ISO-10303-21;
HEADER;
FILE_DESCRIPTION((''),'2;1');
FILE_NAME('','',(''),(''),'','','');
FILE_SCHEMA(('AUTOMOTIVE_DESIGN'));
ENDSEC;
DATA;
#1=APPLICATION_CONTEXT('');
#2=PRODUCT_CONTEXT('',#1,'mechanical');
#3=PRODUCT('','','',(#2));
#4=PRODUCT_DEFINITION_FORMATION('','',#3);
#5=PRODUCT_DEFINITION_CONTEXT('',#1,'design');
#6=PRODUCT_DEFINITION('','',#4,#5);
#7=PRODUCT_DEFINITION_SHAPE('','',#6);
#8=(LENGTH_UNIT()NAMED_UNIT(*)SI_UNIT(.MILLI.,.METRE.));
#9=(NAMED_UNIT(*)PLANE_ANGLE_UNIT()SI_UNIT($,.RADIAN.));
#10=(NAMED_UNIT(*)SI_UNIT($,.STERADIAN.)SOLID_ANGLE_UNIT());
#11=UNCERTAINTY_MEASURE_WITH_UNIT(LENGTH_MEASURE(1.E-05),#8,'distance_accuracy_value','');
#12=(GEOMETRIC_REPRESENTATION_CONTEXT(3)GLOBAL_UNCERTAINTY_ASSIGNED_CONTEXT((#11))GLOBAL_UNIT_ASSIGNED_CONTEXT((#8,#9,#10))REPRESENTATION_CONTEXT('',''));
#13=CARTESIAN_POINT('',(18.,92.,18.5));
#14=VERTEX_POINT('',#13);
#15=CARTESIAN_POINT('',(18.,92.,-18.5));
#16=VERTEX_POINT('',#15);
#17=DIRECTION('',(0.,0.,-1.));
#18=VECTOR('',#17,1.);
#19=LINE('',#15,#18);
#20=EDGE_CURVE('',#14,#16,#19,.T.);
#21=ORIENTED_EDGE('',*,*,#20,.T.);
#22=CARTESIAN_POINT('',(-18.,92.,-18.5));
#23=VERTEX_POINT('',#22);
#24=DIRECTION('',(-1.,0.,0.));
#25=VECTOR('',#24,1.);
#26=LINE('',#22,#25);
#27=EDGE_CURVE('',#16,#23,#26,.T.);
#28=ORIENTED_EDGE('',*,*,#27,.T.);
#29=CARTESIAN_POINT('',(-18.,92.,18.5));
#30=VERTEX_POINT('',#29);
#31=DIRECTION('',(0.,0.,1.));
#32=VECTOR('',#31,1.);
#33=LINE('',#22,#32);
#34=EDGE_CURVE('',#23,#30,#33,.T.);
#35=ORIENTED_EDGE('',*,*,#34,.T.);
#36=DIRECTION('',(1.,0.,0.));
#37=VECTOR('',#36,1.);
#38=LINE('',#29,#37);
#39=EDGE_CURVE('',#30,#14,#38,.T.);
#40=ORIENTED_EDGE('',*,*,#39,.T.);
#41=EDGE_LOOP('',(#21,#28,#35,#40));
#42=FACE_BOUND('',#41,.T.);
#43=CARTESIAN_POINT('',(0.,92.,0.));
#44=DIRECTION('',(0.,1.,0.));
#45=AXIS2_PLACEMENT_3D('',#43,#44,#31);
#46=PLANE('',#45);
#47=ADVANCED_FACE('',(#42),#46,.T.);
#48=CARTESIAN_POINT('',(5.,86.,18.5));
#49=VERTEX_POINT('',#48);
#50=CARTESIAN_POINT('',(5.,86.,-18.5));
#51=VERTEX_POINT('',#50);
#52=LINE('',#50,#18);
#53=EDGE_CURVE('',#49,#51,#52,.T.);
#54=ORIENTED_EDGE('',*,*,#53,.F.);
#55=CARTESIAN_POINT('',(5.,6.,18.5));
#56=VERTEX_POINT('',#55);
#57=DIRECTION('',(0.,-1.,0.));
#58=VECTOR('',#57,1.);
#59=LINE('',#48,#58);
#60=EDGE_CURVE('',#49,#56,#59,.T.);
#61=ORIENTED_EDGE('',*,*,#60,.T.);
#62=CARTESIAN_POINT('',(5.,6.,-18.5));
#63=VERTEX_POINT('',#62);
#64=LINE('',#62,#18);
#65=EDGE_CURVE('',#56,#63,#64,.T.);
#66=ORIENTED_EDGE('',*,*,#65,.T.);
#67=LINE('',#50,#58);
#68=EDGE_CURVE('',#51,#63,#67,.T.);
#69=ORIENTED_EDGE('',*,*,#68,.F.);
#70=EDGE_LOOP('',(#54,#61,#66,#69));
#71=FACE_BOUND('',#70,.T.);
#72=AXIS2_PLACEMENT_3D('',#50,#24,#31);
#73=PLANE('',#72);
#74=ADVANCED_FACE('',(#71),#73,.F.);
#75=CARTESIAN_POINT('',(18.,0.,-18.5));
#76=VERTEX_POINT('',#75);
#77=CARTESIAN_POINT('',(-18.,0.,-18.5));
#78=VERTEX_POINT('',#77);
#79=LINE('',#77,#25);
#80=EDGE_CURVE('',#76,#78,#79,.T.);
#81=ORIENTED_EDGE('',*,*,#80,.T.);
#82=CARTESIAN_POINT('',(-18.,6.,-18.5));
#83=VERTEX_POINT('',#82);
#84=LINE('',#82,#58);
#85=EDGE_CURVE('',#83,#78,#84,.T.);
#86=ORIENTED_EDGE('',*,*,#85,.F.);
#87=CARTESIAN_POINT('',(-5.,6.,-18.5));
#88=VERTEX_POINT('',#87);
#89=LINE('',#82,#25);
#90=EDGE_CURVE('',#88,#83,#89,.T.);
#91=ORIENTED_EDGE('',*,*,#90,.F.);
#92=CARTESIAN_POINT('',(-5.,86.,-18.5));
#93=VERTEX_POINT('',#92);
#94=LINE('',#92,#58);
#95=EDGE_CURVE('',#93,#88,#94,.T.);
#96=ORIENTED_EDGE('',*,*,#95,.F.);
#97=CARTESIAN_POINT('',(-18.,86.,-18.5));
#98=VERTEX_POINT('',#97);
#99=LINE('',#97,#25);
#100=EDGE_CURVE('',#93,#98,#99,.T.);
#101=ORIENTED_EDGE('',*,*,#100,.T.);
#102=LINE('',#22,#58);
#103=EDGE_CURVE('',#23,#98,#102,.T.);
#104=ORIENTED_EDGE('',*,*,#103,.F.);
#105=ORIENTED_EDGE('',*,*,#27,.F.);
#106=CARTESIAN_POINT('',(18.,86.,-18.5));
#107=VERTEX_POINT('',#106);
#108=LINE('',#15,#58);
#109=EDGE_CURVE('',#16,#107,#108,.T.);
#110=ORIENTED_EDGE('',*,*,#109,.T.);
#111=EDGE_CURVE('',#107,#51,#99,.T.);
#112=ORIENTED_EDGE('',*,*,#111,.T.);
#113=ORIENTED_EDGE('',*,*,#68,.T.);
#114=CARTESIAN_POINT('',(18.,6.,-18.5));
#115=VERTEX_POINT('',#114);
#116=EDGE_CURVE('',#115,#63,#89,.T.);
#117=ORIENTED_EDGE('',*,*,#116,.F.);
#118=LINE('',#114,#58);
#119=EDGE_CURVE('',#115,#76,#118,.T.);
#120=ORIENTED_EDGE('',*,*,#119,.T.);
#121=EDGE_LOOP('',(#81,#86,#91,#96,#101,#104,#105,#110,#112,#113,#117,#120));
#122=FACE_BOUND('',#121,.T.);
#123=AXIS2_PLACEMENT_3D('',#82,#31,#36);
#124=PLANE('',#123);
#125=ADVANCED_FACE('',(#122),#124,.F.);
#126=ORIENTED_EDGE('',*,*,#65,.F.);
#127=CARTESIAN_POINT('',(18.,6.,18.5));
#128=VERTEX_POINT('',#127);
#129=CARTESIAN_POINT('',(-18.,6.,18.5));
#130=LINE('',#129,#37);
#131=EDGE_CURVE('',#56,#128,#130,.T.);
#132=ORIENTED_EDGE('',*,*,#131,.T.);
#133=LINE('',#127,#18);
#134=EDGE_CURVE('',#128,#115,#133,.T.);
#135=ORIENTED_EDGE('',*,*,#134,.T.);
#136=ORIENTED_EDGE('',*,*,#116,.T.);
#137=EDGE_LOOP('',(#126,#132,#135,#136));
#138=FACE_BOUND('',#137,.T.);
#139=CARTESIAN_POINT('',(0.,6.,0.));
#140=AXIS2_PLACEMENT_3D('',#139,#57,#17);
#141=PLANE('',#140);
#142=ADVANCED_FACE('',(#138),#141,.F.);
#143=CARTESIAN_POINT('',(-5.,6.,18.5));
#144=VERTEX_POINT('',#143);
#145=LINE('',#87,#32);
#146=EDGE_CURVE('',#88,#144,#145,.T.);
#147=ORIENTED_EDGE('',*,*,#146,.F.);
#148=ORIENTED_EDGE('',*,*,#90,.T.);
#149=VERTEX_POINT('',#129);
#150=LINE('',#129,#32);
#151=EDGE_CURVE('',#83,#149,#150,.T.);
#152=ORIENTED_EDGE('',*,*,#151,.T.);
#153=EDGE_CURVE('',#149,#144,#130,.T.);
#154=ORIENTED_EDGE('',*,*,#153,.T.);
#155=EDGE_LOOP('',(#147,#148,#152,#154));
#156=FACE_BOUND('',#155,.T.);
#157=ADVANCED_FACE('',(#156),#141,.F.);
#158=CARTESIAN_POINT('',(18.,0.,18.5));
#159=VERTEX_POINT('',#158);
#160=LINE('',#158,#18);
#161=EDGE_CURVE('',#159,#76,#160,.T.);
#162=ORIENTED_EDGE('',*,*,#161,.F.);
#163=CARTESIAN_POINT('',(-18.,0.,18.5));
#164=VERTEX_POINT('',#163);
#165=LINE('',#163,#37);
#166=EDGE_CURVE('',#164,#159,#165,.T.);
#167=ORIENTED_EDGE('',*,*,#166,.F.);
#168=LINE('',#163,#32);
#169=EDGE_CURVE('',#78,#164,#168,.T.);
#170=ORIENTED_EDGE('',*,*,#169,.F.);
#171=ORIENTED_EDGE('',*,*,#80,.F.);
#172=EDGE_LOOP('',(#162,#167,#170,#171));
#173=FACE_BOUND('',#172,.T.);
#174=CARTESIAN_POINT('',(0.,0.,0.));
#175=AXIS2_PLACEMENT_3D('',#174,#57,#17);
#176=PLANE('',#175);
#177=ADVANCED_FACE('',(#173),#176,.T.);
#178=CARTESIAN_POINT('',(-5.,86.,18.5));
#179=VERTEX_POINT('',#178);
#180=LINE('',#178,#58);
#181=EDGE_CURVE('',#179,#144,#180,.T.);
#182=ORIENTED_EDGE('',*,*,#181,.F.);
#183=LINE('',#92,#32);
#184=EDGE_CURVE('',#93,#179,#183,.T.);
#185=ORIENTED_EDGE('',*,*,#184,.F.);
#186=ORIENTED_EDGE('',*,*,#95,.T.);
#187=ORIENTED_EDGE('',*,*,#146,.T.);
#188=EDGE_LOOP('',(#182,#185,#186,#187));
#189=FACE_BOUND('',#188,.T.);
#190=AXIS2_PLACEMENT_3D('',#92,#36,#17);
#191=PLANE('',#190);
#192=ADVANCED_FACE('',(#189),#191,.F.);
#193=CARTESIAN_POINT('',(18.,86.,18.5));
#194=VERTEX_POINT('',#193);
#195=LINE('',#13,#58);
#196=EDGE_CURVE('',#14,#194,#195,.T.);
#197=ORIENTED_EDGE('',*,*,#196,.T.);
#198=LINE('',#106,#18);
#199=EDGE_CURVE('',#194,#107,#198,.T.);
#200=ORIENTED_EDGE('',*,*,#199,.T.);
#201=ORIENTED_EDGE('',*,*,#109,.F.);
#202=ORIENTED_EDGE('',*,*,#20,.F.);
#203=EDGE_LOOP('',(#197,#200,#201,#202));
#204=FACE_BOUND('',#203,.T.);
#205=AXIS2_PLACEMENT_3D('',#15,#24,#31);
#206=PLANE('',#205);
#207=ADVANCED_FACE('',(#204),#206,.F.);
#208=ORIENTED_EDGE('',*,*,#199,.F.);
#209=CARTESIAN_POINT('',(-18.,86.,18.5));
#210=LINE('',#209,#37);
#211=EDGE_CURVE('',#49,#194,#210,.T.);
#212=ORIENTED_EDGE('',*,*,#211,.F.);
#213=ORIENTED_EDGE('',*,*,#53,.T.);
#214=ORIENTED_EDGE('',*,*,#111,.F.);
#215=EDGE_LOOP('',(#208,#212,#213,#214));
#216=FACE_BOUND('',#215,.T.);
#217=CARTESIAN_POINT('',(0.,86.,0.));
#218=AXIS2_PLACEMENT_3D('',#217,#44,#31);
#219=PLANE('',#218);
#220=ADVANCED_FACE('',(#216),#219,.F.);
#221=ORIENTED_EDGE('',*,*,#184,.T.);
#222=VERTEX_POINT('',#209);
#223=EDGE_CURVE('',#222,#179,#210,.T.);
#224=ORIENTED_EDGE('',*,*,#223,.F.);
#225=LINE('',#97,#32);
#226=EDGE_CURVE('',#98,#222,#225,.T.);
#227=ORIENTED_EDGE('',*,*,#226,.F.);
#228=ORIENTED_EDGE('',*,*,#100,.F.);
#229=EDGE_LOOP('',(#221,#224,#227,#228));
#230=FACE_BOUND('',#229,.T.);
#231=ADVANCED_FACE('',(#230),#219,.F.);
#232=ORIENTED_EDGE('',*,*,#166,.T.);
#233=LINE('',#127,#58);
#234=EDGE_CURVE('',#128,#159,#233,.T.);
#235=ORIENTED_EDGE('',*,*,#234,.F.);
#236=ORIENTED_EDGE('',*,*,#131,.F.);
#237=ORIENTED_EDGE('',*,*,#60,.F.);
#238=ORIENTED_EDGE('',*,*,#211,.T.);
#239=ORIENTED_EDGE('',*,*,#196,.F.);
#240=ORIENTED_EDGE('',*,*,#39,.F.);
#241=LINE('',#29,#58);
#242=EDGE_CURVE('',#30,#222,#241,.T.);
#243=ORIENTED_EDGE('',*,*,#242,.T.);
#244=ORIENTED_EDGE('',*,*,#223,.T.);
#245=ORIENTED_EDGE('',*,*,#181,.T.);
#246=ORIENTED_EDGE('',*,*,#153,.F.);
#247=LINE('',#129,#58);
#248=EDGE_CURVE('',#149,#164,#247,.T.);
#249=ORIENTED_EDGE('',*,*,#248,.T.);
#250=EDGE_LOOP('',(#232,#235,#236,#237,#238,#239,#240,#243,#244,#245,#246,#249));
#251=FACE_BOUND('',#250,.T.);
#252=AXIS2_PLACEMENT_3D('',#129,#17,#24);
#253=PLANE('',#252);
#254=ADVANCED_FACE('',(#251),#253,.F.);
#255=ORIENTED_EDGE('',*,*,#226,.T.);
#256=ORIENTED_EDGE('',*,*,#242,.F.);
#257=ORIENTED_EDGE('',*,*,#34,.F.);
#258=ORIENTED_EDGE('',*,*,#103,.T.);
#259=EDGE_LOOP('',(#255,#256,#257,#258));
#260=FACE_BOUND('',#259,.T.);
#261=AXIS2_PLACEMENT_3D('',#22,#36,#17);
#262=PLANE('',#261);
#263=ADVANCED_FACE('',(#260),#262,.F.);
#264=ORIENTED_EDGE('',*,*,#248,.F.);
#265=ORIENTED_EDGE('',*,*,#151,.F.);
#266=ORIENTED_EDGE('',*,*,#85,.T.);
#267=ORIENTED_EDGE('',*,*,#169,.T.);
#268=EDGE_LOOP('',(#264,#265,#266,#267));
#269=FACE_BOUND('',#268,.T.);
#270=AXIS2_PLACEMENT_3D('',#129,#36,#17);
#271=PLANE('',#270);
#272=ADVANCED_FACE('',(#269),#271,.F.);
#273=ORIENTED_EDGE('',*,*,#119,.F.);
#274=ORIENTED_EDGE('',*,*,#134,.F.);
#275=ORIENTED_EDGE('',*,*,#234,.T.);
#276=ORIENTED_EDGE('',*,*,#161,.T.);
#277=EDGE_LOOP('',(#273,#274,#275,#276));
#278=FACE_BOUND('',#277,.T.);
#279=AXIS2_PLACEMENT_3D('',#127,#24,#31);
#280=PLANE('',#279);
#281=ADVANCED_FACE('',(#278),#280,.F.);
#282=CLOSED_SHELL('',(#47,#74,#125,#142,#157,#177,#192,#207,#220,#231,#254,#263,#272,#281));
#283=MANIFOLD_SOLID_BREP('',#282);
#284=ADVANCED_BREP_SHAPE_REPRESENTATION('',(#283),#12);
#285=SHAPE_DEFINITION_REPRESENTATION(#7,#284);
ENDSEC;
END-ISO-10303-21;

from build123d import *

# Parameters (mm, degrees)
SKETCH_1_W      = 36
SKETCH_1_H      = 37
EXTRUDE_1_DEPTH = 6
SKETCH_2_W      = 10
SKETCH_2_H      = 37
EXTRUDE_2_DEPTH = 80
SKETCH_3_W      = 36
SKETCH_3_H      = 37
EXTRUDE_3_DEPTH = 6


with BuildPart() as part:
    # 草图1 → 凸台-拉伸1 (new body)
    with BuildSketch(Plane(origin=(0, 0, 0), x_dir=(1, 0, 0), z_dir=(0, 1, 0))):
        Rectangle(SKETCH_1_W, SKETCH_1_H)
    extrude(amount=EXTRUDE_1_DEPTH)

    # 草图2 → 凸台-拉伸2 (add)
    with BuildSketch(Plane(origin=(0, 6, 0), x_dir=(1, 0, 0), z_dir=(0, 1, 0))):
        Rectangle(SKETCH_2_W, SKETCH_2_H)
    extrude(amount=EXTRUDE_2_DEPTH)

    # 草图3 → 凸台-拉伸3 (add)
    with BuildSketch(Plane(origin=(0, 86, 0), x_dir=(1, 0, 0), z_dir=(0, 1, 0))):
        Rectangle(SKETCH_3_W, SKETCH_3_H)
    extrude(amount=EXTRUDE_3_DEPTH)


solid = part.part
